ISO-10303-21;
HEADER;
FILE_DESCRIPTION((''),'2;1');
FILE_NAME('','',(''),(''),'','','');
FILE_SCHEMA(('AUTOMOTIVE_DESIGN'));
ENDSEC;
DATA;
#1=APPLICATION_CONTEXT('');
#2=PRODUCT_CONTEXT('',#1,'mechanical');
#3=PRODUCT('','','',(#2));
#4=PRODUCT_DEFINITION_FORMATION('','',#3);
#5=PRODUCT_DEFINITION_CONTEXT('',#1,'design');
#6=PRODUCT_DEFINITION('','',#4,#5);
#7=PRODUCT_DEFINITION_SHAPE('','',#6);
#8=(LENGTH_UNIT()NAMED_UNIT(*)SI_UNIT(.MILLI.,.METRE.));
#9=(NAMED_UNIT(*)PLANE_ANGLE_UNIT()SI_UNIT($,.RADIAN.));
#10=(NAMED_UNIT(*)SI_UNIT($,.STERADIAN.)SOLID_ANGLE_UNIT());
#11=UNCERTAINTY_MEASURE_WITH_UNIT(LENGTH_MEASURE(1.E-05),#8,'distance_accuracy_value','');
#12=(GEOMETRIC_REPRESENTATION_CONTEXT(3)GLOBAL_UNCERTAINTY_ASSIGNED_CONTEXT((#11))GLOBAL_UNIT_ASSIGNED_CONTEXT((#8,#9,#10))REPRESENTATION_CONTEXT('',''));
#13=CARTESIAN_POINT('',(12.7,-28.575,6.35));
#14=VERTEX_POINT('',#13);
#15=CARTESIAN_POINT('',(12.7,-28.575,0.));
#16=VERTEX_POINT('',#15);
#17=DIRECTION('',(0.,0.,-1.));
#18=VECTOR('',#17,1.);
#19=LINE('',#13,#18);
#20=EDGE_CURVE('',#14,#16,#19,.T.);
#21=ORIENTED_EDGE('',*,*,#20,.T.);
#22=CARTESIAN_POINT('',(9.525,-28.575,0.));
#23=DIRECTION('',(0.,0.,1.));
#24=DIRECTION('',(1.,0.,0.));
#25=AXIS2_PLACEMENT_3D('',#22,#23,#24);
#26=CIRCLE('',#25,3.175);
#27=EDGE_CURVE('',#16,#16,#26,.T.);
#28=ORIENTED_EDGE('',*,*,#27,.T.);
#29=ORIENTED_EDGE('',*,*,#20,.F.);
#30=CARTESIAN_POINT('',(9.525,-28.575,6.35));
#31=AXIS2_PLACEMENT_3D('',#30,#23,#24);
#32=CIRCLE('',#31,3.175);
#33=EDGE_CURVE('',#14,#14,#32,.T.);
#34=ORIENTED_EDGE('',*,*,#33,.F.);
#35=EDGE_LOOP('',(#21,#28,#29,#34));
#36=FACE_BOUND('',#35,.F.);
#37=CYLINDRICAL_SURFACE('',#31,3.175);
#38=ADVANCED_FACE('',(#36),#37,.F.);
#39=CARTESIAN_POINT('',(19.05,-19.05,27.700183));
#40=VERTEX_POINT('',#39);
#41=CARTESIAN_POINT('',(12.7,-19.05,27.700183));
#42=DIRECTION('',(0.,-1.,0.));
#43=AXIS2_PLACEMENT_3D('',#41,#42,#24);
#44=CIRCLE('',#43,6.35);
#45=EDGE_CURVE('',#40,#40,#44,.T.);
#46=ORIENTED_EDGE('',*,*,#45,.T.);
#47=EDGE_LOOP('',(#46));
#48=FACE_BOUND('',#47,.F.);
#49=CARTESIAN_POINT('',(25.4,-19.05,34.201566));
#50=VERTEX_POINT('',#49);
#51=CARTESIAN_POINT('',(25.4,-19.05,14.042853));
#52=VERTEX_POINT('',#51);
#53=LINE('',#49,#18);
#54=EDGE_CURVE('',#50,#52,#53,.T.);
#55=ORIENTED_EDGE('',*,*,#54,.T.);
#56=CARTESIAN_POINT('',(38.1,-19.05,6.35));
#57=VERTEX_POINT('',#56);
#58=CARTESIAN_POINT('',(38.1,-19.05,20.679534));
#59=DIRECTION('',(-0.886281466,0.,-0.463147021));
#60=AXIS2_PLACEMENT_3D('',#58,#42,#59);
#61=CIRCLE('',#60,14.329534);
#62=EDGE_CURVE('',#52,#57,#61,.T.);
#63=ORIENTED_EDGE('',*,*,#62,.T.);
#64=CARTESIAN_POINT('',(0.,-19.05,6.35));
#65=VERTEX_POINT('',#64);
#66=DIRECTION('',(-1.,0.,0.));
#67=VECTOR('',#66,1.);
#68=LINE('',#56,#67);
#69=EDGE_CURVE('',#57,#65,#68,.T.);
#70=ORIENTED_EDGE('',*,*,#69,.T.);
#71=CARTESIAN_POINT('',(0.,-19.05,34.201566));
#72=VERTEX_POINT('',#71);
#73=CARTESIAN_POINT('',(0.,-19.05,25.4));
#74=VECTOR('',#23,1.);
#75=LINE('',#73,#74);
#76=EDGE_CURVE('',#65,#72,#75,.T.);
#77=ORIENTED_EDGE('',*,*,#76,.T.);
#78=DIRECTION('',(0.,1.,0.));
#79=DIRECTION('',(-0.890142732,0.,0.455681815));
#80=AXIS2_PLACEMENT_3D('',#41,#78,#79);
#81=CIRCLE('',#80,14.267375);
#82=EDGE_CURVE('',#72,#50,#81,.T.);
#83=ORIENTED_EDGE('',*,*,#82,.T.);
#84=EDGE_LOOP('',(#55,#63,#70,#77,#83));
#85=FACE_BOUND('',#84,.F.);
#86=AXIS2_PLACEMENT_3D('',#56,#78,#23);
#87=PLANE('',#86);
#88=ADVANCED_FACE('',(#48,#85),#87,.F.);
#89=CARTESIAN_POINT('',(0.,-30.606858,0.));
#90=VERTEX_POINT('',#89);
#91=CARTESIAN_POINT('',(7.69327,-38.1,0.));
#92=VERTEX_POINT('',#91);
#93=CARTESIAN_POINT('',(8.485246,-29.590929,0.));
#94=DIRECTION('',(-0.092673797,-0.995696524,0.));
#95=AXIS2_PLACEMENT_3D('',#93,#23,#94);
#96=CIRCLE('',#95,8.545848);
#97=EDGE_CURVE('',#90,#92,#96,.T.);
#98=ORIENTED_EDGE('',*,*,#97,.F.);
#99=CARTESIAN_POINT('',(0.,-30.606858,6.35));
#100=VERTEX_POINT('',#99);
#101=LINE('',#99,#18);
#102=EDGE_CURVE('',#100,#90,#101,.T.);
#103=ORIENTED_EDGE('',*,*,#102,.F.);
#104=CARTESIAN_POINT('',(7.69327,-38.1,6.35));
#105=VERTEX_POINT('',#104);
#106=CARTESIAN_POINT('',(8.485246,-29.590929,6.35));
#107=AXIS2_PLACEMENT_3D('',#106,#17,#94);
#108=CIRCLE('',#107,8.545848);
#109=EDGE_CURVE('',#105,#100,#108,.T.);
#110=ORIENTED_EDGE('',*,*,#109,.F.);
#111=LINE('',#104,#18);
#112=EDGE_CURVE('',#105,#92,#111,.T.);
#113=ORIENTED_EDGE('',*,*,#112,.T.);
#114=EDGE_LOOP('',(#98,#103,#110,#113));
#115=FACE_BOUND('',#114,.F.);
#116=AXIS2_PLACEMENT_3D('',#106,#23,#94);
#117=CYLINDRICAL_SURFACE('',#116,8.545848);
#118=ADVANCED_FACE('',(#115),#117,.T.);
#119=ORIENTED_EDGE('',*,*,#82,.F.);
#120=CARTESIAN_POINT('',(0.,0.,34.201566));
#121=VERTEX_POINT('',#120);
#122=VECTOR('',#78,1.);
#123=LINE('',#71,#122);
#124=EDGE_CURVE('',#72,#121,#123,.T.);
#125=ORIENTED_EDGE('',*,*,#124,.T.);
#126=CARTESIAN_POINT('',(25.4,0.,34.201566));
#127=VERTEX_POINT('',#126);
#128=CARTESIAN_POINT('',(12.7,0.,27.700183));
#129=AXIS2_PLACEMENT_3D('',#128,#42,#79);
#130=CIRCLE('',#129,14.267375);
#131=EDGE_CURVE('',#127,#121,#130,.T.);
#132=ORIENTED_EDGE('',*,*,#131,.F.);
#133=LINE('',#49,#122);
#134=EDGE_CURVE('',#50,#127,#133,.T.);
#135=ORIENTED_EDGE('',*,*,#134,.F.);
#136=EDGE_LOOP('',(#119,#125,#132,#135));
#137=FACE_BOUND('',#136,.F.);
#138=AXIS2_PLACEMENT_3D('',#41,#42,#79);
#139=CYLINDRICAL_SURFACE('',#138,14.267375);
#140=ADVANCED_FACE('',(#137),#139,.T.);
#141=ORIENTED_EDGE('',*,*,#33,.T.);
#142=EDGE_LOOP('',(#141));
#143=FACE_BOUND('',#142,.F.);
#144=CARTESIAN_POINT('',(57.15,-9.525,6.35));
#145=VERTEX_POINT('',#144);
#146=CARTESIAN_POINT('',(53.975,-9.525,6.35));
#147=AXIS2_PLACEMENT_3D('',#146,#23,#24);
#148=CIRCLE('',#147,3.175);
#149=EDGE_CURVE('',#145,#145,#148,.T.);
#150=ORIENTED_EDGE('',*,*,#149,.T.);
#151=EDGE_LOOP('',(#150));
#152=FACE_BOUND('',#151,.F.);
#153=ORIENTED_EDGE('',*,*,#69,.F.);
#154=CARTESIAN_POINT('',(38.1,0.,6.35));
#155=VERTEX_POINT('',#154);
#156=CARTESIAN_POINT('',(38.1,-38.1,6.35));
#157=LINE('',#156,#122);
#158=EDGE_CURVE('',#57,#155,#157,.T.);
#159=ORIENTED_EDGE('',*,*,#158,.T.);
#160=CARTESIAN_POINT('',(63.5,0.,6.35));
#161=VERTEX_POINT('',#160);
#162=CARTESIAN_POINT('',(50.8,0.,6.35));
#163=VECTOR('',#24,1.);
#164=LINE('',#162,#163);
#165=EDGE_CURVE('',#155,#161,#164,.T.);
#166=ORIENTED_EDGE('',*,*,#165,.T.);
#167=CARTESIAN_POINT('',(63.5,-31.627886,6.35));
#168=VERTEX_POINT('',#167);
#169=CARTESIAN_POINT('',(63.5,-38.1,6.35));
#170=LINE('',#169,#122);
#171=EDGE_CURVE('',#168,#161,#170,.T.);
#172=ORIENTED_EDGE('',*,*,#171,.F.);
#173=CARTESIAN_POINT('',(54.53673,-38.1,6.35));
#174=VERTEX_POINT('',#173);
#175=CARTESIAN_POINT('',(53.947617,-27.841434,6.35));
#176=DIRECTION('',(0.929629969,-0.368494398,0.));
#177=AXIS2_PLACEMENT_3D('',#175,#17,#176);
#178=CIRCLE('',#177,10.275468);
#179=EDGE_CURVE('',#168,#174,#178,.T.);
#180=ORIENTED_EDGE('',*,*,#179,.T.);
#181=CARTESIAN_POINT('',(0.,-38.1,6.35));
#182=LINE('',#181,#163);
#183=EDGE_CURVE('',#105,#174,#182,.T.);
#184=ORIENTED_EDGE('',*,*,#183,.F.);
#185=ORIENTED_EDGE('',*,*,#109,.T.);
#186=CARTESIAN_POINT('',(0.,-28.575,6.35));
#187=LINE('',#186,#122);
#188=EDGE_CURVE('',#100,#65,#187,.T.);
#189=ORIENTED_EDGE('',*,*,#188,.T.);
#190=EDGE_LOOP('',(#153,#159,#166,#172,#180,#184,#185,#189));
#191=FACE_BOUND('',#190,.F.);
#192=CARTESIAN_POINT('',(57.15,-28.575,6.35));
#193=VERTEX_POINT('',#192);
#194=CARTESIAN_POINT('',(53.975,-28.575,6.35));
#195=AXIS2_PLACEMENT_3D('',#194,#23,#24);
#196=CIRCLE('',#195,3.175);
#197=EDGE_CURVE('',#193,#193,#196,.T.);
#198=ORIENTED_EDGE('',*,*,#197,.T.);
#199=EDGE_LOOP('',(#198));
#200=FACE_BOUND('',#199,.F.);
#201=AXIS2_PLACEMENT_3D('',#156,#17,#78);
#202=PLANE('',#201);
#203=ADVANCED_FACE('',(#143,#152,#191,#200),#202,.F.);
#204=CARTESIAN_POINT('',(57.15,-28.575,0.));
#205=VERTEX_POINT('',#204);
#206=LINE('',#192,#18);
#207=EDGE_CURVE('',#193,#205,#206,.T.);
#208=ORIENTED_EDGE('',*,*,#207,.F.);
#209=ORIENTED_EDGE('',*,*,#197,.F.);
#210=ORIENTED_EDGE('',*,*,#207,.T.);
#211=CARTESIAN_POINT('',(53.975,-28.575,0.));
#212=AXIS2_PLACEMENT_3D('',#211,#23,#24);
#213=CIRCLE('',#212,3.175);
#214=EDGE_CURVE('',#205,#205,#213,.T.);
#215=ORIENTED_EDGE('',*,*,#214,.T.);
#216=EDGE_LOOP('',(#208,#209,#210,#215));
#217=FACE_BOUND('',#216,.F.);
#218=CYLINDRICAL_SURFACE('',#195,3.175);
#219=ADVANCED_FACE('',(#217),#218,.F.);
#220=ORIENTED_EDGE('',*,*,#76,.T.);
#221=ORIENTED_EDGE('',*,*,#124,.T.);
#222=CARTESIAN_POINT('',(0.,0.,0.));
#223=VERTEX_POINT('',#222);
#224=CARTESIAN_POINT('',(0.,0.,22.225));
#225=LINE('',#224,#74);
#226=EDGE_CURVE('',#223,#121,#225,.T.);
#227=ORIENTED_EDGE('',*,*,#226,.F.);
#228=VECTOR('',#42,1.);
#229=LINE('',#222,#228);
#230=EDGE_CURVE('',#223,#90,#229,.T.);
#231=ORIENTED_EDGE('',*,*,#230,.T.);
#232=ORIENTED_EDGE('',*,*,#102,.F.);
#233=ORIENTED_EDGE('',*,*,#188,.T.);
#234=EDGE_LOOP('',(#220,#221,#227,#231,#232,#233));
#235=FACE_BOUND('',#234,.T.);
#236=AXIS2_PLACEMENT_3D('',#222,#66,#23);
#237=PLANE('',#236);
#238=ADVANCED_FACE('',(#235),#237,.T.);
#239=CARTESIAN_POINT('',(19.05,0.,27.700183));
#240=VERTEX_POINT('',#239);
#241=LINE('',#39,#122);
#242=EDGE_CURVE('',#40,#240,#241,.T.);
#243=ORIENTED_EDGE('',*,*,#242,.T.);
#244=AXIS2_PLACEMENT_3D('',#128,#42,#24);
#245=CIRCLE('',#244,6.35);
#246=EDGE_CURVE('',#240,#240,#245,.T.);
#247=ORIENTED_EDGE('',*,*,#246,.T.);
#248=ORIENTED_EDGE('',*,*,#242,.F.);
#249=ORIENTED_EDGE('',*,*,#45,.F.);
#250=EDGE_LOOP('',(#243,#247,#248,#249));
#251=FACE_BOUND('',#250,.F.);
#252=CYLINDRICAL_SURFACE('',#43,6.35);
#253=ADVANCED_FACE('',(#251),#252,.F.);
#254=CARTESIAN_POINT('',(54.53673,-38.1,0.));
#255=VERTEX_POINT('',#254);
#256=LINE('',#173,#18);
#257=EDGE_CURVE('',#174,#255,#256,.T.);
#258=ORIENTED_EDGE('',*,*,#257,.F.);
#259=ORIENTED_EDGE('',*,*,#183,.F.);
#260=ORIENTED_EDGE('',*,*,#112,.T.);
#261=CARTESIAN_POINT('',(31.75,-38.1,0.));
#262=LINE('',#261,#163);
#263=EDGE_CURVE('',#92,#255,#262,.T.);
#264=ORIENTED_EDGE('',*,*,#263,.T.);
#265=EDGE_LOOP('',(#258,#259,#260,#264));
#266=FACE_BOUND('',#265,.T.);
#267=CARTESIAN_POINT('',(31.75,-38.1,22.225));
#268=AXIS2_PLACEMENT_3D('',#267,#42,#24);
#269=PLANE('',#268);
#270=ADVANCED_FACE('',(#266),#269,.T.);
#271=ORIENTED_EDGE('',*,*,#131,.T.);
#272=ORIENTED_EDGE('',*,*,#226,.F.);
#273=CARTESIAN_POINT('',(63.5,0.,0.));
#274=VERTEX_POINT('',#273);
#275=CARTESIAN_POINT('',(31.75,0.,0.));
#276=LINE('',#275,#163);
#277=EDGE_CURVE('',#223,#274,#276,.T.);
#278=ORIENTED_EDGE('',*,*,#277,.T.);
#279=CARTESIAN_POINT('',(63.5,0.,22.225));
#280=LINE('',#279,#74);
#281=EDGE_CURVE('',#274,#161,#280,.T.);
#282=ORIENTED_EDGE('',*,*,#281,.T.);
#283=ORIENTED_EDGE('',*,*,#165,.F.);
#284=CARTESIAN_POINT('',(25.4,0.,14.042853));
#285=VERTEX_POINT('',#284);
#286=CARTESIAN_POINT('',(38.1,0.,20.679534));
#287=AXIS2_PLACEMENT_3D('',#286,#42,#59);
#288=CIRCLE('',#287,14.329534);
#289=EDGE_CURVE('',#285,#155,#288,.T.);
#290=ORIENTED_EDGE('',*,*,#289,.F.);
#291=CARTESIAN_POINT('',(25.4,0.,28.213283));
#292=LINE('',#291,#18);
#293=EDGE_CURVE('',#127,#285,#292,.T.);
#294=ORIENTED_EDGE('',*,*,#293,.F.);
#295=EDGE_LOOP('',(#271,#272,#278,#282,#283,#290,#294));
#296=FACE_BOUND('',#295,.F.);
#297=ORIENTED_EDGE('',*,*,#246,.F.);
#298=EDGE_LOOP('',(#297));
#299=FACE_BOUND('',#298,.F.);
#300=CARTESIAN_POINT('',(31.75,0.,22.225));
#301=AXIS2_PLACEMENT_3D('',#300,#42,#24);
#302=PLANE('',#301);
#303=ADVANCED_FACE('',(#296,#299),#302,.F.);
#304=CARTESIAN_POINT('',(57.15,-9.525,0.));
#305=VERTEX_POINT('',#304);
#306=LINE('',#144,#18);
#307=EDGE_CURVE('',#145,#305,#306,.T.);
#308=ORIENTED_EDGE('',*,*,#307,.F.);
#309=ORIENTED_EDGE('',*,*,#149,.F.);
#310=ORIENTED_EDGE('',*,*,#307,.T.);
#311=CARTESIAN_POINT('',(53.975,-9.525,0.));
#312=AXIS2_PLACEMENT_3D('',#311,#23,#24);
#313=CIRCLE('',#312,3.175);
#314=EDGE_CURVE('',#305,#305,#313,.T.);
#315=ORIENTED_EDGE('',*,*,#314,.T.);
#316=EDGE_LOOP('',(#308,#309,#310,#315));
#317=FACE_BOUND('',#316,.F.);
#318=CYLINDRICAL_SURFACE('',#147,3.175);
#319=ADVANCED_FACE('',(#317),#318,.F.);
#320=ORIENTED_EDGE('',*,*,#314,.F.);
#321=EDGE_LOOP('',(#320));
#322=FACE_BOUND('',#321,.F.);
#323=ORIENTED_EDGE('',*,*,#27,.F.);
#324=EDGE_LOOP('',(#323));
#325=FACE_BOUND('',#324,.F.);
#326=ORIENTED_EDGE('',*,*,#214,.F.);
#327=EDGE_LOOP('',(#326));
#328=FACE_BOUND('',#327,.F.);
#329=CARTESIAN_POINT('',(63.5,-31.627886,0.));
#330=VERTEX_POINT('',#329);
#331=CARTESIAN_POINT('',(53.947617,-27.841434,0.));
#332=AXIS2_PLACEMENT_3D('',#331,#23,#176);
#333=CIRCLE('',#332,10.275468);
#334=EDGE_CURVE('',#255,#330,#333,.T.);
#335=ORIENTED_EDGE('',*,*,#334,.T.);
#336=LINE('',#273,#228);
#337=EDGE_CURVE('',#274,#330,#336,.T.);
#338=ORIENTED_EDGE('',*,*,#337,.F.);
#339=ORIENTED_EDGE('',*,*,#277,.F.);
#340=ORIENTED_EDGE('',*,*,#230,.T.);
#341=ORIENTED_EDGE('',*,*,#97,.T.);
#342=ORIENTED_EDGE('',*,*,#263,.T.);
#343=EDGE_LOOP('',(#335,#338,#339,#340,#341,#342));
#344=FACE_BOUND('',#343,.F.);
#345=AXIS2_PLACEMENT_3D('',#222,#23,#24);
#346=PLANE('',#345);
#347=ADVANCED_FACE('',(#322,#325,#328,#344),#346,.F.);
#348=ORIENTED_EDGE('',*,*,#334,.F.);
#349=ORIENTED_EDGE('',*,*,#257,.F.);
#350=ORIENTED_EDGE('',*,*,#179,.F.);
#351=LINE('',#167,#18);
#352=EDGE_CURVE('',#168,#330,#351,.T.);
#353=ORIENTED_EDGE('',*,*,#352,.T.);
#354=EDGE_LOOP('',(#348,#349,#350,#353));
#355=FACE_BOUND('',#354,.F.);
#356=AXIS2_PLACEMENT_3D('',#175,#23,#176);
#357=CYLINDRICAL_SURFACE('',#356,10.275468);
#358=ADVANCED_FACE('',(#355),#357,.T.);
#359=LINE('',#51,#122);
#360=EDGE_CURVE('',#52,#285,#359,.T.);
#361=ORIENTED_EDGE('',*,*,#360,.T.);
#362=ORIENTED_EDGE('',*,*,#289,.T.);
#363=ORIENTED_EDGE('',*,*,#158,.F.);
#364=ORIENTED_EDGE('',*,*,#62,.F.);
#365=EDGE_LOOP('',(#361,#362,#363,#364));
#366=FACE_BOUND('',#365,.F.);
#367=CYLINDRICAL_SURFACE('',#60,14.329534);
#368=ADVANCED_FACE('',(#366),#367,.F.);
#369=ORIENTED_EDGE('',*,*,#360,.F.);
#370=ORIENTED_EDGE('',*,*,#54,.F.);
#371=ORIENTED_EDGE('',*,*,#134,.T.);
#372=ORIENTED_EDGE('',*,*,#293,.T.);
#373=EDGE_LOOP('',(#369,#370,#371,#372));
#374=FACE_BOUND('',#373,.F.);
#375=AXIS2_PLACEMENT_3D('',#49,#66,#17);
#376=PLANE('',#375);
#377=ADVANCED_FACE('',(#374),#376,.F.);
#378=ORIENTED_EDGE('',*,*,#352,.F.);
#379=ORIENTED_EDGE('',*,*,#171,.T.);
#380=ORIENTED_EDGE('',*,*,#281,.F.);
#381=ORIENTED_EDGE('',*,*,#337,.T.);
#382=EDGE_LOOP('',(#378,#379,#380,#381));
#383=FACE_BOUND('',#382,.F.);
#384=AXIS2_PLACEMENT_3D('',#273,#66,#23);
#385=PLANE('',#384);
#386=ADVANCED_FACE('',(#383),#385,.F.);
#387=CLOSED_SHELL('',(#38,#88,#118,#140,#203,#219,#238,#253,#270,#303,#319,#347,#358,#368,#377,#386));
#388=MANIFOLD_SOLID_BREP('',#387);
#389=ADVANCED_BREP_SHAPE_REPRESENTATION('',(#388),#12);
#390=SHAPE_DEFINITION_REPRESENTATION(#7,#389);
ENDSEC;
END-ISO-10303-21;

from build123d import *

# Parameters (mm, degrees)
F0_W      = 63.5
F0_H      = 44.45
F1_DEPTH  = 38.1
F2_W      = 25.4
F2_H      = 38.1
F3_DEPTH  = 38.1
F4_W      = 19.05
F4_H      = 38.1
F5_DEPTH  = 38.1
F6_R      = 3.175
F7_DEPTH  = 25.4
F9_DEPTH  = 25.4
F11_DEPTH = 25.4
F12_R     = 6.35
F13_DEPTH = 25.4


with BuildPart() as f1:
    # F0 (on Front) → F1 (new body)
    with BuildSketch(Plane.XZ):
        with Locations((31.75, 22.225)):
            Rectangle(F0_W, F0_H)
    extrude(amount=F1_DEPTH)

    # F2 (on face) → F3 (cut)
    with BuildSketch(Plane.XZ.offset(38.1)):
        with Locations((50.8, 25.4)):
            Rectangle(F2_W, F2_H)
    extrude(amount=-F3_DEPTH, mode=Mode.SUBTRACT)

    # F4 (on face) → F5 (cut)
    with BuildSketch(Plane.YZ.offset(38.1)):
        with Locations((-28.575, 25.4)):
            Rectangle(F4_W, F4_H)
    extrude(amount=-F5_DEPTH, mode=Mode.SUBTRACT)

    # F6 (on face) → F7 (cut)
    with BuildSketch(Plane.XY.offset(6.35)):
        with Locations((53.975, -9.525)):
            Circle(F6_R)
        with Locations((53.975, -28.575)):
            Circle(F6_R)
        with Locations((9.525, -28.575)):
            Circle(F6_R)
    extrude(amount=-F7_DEPTH, mode=Mode.SUBTRACT)

    # F8 (on face) → F9 (cut)
    with BuildSketch(Plane.XY.offset(6.35)):
        with BuildLine():
            ThreePointArc((7.6932702214, -38.1), (2.5225699869, -35.7128573059), (0, -30.6068577154))
            Line((0, -30.6068577154), (0, -38.1))
            Line((0, -38.1), (7.6932702214, -38.1))
        make_face()
        with BuildLine():
            ThreePointArc((63.5, -31.6278859973), (59.9629765941, -36.172141291), (54.536730051, -38.1))
            Line((54.536730051, -38.1), (63.5, -38.1))
            Line((63.5, -38.1), (63.5, -31.6278859973))
        make_face()
    extrude(amount=-F9_DEPTH, mode=Mode.SUBTRACT)

    # F10 (on face) → F11 (cut)
    with BuildSketch(Plane.XZ.offset(19.05)):
        with BuildLine():
            ThreePointArc((0, 34.2015661299), (12.7, 41.9675576974), (25.4, 34.2015661299))
            Line((25.4, 34.2015661299), (25.4, 14.0428527725))
            ThreePointArc((25.4, 14.0428527725), (30.6758841641, 8.4231867937), (38.1, 6.35))
            Line((38.1, 6.35), (38.1, 44.45))
            Line((38.1, 44.45), (0, 44.45))
            Line((0, 44.45), (0, 34.2015661299))
        make_face()
    extrude(amount=-F11_DEPTH, mode=Mode.SUBTRACT)

    # F12 (on face) → F13 (cut)
    with BuildSketch(Plane.XZ.offset(19.05)):
        with Locations((12.7, 27.7001828811)):
            Circle(F12_R)
    extrude(amount=-F13_DEPTH, mode=Mode.SUBTRACT)


solid = f1.part
